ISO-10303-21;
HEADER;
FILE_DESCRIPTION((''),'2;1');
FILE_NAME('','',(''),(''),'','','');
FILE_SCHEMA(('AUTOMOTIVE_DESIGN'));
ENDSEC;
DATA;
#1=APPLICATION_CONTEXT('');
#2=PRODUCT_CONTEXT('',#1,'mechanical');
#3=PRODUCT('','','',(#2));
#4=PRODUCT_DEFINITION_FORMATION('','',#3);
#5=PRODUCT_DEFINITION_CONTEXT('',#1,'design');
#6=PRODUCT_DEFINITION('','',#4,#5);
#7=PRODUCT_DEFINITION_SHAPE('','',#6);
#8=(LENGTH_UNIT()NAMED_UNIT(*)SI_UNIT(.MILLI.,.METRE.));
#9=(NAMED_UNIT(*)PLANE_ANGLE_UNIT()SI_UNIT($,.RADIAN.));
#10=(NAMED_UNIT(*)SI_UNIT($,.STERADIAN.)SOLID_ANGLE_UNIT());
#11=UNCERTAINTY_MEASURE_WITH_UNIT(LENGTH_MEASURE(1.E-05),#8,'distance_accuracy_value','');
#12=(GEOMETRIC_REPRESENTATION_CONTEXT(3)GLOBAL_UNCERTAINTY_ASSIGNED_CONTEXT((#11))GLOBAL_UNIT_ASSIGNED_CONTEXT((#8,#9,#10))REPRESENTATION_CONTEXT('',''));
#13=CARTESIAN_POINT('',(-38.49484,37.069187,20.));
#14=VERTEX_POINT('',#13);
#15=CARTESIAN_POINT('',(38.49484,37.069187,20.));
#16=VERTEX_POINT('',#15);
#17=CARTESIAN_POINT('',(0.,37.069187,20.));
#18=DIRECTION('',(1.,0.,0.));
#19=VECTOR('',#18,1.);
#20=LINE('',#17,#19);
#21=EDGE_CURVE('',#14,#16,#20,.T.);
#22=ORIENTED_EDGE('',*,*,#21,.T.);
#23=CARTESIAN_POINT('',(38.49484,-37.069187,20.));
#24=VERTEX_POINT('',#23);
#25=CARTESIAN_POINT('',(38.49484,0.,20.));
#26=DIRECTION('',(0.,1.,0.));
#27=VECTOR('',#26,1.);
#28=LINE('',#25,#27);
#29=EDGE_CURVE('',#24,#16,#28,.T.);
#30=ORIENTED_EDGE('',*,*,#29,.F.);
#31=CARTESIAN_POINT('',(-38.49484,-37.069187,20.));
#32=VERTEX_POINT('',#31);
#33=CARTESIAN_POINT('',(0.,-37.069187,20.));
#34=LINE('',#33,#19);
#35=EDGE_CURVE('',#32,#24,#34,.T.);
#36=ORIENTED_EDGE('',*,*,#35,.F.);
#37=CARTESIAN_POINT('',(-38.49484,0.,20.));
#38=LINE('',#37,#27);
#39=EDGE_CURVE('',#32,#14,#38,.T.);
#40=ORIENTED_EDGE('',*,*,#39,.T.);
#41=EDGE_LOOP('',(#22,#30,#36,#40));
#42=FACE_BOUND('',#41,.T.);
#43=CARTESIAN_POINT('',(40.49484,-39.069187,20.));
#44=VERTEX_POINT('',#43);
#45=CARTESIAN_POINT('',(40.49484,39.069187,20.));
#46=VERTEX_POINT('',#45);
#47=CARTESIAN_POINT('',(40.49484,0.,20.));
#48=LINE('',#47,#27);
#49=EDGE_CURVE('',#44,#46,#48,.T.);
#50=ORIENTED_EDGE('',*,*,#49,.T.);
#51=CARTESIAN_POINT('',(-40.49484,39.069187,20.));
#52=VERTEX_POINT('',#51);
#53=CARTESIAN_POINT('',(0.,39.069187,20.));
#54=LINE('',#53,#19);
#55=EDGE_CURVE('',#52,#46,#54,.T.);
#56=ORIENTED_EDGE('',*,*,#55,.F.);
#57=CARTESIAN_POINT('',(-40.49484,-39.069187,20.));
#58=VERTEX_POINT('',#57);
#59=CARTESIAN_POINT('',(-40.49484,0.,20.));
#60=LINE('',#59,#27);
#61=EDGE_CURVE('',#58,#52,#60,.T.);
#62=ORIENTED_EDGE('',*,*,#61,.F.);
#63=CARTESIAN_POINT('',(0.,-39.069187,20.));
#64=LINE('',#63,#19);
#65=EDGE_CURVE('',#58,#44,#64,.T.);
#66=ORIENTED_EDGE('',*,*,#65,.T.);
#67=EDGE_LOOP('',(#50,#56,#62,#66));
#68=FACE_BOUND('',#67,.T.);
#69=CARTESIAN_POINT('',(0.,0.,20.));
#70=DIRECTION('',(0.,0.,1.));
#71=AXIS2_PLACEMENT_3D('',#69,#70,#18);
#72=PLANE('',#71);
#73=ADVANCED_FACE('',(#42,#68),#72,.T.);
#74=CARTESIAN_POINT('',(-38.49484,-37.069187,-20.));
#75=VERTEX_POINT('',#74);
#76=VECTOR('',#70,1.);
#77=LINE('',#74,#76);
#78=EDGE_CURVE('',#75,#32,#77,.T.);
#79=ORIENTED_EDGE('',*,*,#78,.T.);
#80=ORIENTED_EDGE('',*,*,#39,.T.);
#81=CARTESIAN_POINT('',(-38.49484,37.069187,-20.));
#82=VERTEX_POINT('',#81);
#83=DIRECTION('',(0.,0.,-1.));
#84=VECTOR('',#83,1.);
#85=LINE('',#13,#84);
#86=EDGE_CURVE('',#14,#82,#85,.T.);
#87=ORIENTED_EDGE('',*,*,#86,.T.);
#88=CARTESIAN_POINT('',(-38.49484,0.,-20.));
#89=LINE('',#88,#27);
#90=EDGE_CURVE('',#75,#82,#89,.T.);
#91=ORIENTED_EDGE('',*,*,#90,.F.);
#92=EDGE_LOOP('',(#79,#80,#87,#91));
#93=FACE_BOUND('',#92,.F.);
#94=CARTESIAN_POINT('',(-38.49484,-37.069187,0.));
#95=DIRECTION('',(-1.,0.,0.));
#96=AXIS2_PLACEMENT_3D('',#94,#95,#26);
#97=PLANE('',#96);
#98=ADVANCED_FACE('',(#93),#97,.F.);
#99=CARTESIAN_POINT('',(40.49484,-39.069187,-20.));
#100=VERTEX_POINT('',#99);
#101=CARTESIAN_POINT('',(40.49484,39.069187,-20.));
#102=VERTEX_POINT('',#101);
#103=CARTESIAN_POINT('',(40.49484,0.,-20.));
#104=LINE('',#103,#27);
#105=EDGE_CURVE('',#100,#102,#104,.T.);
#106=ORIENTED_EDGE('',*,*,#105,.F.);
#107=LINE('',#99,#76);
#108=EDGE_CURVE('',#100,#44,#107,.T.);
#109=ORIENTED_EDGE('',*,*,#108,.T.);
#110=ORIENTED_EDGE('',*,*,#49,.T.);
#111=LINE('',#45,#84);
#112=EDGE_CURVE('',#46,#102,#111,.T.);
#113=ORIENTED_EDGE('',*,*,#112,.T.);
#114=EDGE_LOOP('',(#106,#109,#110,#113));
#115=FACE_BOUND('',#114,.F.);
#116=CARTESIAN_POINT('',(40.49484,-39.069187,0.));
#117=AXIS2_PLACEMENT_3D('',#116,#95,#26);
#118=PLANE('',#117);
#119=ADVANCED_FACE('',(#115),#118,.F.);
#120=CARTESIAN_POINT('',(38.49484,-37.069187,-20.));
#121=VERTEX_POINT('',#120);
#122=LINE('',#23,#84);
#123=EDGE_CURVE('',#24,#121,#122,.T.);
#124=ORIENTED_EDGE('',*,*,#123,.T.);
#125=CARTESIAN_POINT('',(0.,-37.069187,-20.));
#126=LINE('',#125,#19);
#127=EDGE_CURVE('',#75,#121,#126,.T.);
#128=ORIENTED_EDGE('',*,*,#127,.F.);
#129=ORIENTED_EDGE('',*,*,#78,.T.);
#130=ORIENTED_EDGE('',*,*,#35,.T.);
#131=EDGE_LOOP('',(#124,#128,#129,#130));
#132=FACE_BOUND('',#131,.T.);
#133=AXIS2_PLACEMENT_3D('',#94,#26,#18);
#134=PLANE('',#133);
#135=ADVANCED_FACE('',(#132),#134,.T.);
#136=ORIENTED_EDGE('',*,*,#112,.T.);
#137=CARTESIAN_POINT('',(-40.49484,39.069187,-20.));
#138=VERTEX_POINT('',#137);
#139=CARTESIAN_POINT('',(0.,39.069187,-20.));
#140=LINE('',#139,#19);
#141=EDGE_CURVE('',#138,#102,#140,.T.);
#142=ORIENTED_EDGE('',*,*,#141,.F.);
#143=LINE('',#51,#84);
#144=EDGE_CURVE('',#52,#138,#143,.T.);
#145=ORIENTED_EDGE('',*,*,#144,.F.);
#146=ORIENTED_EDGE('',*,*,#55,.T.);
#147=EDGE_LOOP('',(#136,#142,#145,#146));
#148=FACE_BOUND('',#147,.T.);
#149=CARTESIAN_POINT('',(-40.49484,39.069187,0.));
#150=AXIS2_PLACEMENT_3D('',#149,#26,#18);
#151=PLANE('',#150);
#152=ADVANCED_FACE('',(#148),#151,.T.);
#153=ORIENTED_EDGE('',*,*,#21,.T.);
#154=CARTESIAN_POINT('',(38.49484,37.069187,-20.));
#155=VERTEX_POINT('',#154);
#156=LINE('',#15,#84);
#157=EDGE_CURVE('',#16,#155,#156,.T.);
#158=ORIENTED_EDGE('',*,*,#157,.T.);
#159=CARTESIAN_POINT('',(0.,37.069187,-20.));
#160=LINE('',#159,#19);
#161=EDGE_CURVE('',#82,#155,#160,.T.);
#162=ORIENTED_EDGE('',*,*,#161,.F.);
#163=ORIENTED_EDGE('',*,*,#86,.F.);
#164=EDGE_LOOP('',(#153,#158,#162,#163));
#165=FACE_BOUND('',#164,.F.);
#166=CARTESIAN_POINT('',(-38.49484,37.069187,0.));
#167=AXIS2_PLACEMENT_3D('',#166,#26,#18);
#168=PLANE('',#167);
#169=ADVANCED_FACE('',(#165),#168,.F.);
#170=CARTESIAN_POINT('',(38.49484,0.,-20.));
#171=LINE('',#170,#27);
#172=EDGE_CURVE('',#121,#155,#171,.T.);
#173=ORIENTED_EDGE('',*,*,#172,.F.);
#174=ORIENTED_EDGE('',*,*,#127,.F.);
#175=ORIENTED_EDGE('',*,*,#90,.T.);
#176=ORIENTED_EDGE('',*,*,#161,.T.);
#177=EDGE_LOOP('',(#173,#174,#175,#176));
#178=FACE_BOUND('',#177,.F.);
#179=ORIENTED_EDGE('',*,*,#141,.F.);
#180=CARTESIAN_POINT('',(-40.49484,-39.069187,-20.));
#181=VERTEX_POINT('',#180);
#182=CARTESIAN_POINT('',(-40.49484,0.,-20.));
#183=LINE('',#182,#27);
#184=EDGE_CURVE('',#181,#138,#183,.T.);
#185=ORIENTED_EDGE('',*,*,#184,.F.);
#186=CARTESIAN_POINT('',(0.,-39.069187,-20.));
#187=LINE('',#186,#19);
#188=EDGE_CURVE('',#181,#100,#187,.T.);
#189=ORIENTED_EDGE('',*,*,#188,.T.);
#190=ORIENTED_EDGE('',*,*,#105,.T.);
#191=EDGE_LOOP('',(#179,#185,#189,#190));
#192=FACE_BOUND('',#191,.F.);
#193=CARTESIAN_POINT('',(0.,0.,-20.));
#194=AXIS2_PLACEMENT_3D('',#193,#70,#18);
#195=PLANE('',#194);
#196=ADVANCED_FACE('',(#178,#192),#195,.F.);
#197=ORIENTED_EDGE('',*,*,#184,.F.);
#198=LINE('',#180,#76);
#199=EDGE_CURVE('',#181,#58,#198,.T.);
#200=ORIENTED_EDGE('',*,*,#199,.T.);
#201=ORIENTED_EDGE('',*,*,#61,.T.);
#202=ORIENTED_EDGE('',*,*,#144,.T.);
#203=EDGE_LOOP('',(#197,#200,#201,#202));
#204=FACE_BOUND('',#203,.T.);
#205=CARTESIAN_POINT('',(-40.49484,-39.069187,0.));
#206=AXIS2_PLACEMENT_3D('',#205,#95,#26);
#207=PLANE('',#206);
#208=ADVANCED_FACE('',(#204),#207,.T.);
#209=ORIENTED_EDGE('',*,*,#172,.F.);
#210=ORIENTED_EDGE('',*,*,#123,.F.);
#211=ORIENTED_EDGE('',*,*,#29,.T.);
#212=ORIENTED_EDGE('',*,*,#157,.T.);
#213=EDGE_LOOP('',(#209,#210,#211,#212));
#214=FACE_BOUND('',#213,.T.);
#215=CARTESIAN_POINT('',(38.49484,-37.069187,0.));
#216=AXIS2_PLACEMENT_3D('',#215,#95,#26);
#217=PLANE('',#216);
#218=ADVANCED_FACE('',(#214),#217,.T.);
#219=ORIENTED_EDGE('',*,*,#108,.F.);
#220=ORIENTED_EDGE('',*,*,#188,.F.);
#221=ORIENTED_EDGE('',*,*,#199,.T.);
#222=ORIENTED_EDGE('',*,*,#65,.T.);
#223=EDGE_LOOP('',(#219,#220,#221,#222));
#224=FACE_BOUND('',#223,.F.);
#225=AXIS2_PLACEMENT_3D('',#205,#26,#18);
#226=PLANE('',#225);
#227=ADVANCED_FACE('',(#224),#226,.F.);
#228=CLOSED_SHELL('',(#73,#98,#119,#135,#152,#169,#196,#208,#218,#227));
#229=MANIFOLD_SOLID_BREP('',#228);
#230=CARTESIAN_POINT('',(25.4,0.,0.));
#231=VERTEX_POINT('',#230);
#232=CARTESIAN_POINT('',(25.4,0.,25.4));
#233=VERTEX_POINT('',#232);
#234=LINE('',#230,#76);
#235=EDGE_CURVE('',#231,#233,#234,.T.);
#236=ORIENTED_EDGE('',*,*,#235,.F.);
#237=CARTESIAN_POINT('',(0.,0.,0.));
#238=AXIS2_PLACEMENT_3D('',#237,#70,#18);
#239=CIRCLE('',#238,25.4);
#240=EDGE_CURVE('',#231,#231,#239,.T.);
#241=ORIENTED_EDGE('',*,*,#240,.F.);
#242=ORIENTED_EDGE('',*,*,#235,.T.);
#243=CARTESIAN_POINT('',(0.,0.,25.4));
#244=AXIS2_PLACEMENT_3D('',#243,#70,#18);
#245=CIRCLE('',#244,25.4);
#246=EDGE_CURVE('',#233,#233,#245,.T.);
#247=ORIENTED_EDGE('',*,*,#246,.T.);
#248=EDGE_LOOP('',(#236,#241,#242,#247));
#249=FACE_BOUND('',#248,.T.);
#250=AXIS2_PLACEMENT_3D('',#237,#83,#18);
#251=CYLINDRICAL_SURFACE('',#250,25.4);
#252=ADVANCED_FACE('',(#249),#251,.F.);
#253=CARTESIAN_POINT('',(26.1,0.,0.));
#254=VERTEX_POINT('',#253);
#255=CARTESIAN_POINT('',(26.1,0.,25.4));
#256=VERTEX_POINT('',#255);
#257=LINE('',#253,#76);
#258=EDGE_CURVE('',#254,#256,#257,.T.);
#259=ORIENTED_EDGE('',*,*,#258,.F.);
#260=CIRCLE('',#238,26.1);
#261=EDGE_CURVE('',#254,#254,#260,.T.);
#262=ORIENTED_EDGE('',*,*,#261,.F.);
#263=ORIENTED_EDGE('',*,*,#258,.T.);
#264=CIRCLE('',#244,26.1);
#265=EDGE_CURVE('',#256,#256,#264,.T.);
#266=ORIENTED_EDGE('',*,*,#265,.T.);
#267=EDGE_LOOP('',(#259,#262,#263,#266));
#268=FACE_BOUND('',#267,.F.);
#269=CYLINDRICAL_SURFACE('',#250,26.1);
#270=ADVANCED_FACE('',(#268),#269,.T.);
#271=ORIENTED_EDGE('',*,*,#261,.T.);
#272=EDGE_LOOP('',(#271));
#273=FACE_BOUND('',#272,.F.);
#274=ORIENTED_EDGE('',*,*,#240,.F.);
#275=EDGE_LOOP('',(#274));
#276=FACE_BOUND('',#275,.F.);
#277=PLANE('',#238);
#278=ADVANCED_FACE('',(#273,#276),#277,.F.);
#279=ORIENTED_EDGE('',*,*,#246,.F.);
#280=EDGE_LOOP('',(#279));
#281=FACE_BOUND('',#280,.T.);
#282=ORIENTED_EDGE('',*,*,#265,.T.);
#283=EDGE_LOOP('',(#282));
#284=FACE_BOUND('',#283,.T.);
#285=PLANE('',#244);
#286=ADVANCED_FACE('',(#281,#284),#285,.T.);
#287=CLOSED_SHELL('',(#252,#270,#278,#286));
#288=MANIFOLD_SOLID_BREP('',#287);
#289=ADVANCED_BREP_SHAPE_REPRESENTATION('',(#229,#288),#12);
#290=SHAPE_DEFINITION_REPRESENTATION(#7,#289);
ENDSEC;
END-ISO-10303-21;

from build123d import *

# Parameters (mm, degrees)
F0_W          = 80.9896805286
F0_H          = 78.1383731365
F0_W_2        = 76.9896805286
F0_H_2        = 74.1383731365
F1_DEPTH      = 20
F1_DEPTH_BACK = 20
F2_R          = 26.1
F2_R_2        = 25.4
F3_DEPTH      = 25.4


with BuildPart() as f1:
    # F0 (on Top) → F1 (new body, two sides)
    with BuildSketch(Plane.XY) as f1_sk:
        Rectangle(F0_W, F0_H)
        Rectangle(F0_W_2, F0_H_2, mode=Mode.SUBTRACT)
    extrude(amount=-F1_DEPTH)
    extrude(f1_sk.sketch, amount=F1_DEPTH_BACK)


with BuildPart() as f3:
    # F2 (on Top) → F3 (new body)
    with BuildSketch(Plane.XY):
        Circle(F2_R)
        Circle(F2_R_2, mode=Mode.SUBTRACT)
    extrude(amount=F3_DEPTH)


solid = Compound([f1.part, f3.part])
